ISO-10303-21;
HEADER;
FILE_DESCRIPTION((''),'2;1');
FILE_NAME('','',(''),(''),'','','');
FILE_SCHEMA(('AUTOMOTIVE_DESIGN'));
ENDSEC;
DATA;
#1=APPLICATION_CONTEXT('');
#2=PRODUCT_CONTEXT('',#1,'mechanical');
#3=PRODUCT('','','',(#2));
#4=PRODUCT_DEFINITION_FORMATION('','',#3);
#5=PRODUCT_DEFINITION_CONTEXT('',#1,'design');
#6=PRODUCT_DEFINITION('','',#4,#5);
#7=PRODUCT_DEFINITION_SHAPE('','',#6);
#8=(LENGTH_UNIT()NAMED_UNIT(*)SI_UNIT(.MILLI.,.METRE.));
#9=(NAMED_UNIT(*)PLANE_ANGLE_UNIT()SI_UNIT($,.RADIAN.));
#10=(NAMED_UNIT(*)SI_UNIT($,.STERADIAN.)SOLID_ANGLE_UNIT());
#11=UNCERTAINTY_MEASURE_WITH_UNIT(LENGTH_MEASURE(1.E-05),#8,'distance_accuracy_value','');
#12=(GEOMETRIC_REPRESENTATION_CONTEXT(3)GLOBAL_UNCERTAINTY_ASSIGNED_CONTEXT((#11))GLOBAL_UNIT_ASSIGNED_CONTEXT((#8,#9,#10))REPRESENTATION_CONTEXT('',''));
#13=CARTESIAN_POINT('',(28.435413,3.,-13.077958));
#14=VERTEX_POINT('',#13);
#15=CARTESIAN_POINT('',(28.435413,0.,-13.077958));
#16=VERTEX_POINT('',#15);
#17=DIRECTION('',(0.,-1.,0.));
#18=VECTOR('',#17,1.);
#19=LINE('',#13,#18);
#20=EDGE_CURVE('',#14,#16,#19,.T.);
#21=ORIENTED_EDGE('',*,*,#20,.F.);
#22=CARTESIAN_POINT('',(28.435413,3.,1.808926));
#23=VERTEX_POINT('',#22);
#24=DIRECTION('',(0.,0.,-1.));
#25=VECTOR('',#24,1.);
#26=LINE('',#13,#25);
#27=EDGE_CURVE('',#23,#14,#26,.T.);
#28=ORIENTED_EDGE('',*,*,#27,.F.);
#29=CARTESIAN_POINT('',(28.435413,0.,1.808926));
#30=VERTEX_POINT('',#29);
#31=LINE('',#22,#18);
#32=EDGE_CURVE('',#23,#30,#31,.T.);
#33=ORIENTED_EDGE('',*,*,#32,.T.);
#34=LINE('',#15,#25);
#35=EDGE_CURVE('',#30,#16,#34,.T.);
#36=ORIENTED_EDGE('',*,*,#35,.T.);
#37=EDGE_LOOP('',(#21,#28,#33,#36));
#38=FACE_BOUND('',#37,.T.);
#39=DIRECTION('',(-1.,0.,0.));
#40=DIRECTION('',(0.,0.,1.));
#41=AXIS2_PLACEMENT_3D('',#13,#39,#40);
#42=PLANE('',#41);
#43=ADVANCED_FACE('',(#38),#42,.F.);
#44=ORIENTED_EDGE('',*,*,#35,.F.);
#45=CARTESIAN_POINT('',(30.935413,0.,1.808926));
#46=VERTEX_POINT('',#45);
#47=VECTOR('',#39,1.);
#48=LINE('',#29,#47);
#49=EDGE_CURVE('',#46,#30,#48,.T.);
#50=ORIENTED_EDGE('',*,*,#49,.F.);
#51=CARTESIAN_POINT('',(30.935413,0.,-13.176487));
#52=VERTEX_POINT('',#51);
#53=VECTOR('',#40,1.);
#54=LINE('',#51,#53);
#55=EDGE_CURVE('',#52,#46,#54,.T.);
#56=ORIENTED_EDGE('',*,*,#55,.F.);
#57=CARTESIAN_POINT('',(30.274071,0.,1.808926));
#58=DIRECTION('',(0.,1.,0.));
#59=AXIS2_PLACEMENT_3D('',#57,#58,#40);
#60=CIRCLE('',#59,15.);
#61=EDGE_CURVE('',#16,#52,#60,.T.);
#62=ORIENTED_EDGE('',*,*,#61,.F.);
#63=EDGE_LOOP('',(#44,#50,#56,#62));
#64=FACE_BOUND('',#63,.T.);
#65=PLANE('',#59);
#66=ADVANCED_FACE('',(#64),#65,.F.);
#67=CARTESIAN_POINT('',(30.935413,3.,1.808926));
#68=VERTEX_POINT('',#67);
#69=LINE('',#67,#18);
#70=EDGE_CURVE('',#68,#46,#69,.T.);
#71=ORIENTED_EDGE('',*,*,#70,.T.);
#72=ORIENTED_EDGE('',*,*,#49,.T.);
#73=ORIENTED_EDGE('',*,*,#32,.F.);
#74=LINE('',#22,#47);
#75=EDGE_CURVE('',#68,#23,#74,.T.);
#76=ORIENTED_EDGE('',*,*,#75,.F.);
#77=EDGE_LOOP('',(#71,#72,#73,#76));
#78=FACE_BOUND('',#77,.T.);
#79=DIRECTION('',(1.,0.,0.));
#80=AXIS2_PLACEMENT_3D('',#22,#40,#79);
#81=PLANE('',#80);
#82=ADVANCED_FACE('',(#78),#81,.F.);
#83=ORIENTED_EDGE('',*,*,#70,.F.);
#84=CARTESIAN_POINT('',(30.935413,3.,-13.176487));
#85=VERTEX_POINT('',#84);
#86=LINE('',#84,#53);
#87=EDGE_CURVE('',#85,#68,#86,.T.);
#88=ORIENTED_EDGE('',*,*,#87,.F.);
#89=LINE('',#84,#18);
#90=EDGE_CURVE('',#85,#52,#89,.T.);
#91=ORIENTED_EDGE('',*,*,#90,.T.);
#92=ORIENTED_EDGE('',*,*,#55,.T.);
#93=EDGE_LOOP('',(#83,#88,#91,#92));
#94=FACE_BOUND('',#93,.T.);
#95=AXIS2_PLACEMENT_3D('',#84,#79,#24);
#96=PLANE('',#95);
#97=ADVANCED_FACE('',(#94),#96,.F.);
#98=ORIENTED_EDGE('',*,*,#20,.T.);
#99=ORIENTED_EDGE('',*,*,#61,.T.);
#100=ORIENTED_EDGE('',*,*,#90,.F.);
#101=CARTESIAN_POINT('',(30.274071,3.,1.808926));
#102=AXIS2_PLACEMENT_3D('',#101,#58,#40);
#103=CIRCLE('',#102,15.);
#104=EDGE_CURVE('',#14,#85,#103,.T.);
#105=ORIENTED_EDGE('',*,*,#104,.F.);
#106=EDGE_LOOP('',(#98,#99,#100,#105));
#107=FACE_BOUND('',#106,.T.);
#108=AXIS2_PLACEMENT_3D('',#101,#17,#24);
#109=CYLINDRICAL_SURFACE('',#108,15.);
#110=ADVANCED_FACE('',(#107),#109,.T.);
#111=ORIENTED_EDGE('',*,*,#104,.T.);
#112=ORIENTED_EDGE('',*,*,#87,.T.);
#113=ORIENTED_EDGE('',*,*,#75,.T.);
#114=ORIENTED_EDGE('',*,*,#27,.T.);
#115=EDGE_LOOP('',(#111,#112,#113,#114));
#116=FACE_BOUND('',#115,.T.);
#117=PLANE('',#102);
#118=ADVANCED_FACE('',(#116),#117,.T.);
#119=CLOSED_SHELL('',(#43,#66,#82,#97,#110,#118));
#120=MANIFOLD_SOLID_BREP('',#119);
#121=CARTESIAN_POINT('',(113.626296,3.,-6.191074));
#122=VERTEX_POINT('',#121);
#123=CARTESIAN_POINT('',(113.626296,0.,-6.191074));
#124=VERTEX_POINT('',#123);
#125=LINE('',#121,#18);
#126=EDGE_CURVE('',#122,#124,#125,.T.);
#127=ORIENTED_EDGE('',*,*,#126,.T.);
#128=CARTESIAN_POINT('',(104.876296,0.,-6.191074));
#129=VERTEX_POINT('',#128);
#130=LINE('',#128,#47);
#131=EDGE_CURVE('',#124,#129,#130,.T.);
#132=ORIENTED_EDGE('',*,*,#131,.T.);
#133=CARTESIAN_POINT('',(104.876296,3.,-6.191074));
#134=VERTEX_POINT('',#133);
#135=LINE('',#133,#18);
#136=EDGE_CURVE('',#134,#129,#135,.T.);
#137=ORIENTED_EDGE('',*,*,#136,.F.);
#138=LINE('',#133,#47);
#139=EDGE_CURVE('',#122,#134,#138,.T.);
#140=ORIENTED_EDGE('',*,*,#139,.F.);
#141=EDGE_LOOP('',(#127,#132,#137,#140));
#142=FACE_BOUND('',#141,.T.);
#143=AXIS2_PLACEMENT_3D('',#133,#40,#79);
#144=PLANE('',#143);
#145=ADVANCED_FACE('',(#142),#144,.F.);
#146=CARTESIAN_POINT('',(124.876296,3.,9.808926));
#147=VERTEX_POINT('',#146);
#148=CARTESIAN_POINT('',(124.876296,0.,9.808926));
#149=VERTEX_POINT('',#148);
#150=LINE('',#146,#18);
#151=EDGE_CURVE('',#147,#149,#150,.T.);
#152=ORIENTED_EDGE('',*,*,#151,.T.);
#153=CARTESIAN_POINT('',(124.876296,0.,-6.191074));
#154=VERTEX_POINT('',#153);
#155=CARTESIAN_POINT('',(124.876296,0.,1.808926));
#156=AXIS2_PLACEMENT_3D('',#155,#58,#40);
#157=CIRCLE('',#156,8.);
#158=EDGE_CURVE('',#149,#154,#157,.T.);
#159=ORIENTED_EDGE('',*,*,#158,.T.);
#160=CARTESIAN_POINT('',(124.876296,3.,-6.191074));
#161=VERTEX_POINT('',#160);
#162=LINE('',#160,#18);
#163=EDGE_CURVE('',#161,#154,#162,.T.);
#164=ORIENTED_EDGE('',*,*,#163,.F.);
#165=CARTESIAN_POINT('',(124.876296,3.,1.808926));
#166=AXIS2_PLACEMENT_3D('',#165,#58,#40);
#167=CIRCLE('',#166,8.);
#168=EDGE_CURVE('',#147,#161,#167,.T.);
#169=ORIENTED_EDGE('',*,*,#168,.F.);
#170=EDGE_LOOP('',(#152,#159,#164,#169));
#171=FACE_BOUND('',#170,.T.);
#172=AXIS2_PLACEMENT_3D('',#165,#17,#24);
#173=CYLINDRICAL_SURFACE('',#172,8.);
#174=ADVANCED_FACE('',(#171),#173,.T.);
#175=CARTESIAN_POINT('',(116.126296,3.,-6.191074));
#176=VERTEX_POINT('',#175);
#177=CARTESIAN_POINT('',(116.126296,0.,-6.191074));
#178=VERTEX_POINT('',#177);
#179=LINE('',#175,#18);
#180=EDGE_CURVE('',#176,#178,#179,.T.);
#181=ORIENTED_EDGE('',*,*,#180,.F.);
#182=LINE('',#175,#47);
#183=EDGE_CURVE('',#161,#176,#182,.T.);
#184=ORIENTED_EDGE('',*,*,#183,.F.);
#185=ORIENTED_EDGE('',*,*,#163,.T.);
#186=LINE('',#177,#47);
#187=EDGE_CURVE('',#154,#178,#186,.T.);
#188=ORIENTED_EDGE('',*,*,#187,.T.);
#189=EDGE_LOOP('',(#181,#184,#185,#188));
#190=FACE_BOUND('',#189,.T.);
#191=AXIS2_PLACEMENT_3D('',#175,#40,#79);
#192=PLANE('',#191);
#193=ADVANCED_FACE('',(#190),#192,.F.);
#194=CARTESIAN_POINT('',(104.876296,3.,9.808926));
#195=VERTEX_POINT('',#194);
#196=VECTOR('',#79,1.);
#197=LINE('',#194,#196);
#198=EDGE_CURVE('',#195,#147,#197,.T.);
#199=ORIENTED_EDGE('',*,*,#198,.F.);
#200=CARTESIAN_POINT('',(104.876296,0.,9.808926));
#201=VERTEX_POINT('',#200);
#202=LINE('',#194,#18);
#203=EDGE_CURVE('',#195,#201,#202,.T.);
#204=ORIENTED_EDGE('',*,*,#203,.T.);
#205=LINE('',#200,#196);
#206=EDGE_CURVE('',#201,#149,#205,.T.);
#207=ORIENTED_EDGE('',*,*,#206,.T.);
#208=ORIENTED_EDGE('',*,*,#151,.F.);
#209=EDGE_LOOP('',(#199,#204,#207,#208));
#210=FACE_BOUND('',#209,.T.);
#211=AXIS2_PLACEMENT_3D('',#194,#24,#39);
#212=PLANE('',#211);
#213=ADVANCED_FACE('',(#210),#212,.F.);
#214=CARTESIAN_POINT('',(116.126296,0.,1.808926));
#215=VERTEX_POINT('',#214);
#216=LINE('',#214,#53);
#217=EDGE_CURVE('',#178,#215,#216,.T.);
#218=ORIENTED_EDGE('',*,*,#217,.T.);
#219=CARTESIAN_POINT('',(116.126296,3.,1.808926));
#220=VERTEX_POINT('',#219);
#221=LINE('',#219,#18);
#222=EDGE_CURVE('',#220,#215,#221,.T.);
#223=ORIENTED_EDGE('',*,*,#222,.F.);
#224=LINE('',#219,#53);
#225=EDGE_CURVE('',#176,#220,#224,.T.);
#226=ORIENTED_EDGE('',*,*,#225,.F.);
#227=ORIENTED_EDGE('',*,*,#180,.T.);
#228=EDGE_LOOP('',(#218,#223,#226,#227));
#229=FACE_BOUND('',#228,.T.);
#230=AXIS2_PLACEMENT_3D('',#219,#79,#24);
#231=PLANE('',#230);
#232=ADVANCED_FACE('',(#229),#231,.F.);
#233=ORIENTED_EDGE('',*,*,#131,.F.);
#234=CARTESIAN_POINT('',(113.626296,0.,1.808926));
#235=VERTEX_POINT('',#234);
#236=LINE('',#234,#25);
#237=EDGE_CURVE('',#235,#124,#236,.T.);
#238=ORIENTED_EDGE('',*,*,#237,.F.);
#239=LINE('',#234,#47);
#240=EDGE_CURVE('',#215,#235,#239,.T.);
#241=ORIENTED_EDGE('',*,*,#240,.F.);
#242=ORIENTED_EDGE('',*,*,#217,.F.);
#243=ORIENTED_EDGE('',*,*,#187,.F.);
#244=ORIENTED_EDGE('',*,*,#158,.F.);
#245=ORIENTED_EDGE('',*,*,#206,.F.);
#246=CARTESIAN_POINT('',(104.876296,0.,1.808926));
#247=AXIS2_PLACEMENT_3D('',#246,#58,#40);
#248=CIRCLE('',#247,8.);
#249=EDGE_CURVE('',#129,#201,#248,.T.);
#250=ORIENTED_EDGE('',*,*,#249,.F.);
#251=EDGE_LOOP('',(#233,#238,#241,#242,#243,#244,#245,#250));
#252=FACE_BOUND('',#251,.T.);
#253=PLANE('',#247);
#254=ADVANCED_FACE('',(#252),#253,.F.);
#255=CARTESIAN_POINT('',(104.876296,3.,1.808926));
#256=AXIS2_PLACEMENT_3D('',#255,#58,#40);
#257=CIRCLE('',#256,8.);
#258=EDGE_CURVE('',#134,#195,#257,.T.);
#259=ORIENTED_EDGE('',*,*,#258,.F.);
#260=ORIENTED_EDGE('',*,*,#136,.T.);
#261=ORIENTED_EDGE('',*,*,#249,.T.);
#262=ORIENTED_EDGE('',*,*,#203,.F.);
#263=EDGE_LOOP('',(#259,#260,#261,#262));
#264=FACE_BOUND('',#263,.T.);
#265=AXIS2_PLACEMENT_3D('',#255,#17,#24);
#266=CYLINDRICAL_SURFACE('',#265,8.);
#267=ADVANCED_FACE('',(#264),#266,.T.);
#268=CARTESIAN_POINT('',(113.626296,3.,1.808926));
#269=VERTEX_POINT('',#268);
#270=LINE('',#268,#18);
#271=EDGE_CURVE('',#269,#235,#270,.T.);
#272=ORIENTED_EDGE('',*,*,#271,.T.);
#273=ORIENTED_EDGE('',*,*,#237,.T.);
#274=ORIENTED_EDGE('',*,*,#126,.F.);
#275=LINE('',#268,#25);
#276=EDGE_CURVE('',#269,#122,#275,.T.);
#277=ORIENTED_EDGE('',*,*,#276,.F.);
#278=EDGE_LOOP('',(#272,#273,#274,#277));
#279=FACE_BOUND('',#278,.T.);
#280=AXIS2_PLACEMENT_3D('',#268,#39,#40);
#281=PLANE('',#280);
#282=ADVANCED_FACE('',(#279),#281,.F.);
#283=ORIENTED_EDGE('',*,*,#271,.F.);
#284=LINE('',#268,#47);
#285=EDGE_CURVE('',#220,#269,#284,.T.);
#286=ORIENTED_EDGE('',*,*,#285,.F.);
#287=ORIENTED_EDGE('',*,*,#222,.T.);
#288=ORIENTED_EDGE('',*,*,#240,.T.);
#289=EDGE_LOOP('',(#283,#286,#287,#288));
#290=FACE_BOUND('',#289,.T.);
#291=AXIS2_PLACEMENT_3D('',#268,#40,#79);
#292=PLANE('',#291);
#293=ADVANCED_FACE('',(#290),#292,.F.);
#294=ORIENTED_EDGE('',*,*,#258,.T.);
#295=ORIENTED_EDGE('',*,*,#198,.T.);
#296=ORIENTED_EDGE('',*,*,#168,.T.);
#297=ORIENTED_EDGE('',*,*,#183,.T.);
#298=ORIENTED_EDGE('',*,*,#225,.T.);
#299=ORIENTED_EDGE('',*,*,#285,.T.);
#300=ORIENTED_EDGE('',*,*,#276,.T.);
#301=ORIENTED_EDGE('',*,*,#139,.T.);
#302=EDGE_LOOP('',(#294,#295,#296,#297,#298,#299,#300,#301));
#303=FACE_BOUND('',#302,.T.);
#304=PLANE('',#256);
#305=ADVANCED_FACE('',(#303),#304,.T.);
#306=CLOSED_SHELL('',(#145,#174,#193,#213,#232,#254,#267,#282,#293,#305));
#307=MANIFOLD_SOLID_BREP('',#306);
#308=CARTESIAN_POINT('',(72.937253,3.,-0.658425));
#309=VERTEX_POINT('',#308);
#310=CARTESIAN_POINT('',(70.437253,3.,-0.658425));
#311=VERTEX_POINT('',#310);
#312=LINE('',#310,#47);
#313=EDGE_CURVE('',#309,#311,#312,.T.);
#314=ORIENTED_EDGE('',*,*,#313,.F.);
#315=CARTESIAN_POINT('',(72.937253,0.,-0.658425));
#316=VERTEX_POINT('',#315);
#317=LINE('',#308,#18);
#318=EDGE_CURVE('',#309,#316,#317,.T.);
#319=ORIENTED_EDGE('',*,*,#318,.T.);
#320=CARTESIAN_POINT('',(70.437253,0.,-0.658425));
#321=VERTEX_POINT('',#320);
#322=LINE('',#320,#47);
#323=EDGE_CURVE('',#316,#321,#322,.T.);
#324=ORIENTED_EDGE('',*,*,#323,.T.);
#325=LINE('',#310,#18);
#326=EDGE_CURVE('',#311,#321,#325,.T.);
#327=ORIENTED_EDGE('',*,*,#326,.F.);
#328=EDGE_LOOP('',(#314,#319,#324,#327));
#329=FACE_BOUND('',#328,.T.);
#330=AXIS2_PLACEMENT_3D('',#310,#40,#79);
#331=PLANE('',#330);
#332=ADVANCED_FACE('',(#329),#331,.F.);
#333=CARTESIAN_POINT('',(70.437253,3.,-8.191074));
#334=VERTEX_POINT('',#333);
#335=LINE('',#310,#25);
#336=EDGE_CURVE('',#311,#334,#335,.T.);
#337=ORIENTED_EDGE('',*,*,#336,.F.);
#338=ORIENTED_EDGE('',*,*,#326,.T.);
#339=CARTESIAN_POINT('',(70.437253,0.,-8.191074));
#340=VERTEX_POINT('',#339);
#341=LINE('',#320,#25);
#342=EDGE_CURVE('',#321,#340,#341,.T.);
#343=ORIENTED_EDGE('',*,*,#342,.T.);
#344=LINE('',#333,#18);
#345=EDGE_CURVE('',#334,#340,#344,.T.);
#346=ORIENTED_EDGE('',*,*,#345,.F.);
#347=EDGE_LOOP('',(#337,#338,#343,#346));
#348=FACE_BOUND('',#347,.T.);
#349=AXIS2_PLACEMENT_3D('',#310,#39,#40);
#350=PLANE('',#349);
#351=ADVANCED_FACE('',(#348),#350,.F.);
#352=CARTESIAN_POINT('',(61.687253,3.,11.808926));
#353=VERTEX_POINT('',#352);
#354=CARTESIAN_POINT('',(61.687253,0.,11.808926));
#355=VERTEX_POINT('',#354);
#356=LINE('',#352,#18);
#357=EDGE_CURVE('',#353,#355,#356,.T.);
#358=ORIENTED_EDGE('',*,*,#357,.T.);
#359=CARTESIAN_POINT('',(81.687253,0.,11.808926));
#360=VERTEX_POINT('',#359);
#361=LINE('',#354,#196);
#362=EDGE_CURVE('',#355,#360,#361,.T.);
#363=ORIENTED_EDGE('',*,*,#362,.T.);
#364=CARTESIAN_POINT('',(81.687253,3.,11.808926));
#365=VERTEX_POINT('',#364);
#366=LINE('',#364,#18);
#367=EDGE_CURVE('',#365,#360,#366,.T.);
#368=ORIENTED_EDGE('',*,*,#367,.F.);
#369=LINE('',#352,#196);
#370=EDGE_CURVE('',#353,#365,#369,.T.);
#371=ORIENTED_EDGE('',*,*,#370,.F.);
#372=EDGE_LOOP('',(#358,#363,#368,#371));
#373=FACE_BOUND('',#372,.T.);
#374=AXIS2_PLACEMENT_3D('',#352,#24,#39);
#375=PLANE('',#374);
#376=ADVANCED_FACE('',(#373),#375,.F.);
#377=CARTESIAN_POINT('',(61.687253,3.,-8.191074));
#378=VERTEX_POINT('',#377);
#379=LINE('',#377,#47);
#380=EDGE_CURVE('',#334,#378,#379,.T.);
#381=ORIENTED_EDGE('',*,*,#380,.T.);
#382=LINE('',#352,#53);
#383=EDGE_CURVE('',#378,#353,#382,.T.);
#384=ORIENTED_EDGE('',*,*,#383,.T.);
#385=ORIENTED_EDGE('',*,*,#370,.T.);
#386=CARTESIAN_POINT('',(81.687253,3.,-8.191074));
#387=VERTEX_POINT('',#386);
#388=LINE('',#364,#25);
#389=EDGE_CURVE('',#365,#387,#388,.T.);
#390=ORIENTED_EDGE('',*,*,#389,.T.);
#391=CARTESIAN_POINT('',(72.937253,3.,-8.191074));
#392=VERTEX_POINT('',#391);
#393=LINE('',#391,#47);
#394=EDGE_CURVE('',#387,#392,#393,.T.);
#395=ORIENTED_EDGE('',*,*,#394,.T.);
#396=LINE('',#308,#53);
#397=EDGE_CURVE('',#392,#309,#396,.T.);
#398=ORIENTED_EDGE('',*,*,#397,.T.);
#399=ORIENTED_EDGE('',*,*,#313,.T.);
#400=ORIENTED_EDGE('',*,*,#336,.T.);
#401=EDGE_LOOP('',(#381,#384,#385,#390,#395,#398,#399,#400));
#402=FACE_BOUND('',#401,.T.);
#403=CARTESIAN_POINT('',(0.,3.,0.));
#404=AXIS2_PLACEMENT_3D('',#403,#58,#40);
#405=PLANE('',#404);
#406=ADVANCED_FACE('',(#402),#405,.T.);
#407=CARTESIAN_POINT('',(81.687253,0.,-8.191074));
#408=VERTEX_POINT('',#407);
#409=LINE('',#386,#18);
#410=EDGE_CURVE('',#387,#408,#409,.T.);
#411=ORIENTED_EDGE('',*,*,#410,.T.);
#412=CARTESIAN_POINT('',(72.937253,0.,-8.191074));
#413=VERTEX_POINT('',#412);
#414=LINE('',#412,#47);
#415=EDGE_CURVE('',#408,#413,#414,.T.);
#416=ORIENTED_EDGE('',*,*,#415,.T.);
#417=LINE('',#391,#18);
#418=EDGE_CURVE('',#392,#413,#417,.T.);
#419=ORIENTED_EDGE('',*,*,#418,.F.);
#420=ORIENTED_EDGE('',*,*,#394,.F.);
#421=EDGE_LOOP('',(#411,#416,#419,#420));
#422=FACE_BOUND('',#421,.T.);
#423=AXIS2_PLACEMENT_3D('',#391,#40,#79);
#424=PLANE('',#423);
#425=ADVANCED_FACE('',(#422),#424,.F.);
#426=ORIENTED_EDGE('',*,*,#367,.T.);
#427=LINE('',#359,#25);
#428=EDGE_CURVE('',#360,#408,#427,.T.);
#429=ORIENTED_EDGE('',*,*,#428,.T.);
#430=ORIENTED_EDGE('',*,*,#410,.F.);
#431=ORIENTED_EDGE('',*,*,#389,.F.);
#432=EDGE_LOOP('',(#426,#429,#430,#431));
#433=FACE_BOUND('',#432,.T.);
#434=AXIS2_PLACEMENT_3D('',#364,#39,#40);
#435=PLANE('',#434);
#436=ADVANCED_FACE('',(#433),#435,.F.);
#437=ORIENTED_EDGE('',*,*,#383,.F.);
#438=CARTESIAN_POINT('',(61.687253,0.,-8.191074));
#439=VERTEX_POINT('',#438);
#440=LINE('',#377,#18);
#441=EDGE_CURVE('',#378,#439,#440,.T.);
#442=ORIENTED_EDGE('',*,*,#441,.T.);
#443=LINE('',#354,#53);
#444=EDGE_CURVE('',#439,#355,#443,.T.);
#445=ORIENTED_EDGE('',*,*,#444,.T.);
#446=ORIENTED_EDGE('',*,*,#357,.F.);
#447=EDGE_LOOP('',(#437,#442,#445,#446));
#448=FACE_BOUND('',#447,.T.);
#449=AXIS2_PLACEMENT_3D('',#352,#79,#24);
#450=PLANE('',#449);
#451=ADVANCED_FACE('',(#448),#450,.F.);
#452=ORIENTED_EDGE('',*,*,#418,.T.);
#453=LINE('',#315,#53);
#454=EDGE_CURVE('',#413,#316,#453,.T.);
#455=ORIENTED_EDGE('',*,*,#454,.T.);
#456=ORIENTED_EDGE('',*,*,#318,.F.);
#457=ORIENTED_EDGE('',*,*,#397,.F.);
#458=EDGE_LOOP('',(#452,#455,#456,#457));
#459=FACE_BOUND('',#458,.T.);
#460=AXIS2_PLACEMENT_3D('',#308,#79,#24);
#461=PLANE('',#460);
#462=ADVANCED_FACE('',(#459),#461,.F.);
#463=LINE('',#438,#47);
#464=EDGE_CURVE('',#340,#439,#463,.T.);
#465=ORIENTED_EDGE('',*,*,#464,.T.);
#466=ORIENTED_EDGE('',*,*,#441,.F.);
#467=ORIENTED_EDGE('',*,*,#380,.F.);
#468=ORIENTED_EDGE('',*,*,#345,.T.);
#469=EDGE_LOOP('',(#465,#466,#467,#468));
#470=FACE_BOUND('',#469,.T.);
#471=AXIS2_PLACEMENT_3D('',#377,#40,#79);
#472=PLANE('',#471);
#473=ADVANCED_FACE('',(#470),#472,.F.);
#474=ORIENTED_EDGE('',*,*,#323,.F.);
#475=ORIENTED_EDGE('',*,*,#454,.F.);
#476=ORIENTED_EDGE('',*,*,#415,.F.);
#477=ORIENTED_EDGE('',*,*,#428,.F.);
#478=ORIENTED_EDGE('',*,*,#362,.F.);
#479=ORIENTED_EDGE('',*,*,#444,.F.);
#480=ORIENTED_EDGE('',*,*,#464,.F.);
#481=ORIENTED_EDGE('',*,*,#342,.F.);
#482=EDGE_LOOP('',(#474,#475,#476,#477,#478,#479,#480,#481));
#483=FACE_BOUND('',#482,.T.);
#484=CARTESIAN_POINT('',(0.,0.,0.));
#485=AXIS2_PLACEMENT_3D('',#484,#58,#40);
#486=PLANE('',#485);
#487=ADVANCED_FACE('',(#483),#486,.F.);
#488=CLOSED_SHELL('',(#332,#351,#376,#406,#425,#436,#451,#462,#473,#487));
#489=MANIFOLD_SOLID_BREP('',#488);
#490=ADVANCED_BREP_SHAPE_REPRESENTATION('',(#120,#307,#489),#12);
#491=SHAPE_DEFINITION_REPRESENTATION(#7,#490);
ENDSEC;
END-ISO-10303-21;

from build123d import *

# Parameters (mm, degrees)
BOSS_EXTRUDE1_DEPTH   = 3
BOSS_EXTRUDE1_2_DEPTH = 3
BOSS_EXTRUDE1_3_DEPTH = 3


with BuildPart() as part:
    # Sketch1 → Boss-Extrude1 (new body)
    with BuildSketch(Plane(origin=(0, 0, 0), x_dir=(1, 0, 0), z_dir=(0, 1, 0))):
        with BuildLine():
            Line((28.435413078, 13.077958274), (28.435413078, -1.808926439))
            Line((28.435413078, -1.808926439), (30.935413078, -1.808926439))
            Line((30.935413078, -1.808926439), (30.935413078, 13.176487365))
            ThreePointArc((30.935413078, 13.176487365), (30.864787109, -16.797290414), (28.435413078, 13.077958274))
        make_face()
    extrude(amount=BOSS_EXTRUDE1_DEPTH)


with BuildPart() as body_2:
    # Sketch1 → Boss-Extrude1 2 (new body)
    with BuildSketch(Plane(origin=(0, 0, 0), x_dir=(1, 0, 0), z_dir=(0, 1, 0))):
        Polygon((61.687252638, -11.808926439), (81.687252638, -11.808926439), (81.687252638, 8.191073561), (72.937252638, 8.191073561), (72.937252638, 0.658425471), (70.437252638, 0.658425471), (70.437252638, 8.191073561), (61.687252638, 8.191073561), align=None)
    extrude(amount=BOSS_EXTRUDE1_2_DEPTH)


with BuildPart() as body_3:
    # Sketch1 → Boss-Extrude1 3 (new body)
    with BuildSketch(Plane(origin=(0, 0, 0), x_dir=(1, 0, 0), z_dir=(0, 1, 0))):
        with BuildLine():
            Line((104.876295826, 6.191073561), (113.626295826, 6.191073561))
            Line((113.626295826, 6.191073561), (113.626295826, -1.808926439))
            Line((113.626295826, -1.808926439), (116.126295826, -1.808926439))
            Line((116.126295826, -1.808926439), (116.126295826, 6.191073561))
            Line((116.126295826, 6.191073561), (124.876295826, 6.191073561))
            ThreePointArc((124.876295826, 6.191073561), (132.876295826, -1.808926439), (124.876295826, -9.808926439))
            Line((124.876295826, -9.808926439), (104.876295826, -9.808926439))
            ThreePointArc((104.876295826, -9.808926439), (96.876295826, -1.808926439), (104.876295826, 6.191073561))
        make_face()
    extrude(amount=BOSS_EXTRUDE1_3_DEPTH)


solid = Compound([part.part, body_2.part, body_3.part])
